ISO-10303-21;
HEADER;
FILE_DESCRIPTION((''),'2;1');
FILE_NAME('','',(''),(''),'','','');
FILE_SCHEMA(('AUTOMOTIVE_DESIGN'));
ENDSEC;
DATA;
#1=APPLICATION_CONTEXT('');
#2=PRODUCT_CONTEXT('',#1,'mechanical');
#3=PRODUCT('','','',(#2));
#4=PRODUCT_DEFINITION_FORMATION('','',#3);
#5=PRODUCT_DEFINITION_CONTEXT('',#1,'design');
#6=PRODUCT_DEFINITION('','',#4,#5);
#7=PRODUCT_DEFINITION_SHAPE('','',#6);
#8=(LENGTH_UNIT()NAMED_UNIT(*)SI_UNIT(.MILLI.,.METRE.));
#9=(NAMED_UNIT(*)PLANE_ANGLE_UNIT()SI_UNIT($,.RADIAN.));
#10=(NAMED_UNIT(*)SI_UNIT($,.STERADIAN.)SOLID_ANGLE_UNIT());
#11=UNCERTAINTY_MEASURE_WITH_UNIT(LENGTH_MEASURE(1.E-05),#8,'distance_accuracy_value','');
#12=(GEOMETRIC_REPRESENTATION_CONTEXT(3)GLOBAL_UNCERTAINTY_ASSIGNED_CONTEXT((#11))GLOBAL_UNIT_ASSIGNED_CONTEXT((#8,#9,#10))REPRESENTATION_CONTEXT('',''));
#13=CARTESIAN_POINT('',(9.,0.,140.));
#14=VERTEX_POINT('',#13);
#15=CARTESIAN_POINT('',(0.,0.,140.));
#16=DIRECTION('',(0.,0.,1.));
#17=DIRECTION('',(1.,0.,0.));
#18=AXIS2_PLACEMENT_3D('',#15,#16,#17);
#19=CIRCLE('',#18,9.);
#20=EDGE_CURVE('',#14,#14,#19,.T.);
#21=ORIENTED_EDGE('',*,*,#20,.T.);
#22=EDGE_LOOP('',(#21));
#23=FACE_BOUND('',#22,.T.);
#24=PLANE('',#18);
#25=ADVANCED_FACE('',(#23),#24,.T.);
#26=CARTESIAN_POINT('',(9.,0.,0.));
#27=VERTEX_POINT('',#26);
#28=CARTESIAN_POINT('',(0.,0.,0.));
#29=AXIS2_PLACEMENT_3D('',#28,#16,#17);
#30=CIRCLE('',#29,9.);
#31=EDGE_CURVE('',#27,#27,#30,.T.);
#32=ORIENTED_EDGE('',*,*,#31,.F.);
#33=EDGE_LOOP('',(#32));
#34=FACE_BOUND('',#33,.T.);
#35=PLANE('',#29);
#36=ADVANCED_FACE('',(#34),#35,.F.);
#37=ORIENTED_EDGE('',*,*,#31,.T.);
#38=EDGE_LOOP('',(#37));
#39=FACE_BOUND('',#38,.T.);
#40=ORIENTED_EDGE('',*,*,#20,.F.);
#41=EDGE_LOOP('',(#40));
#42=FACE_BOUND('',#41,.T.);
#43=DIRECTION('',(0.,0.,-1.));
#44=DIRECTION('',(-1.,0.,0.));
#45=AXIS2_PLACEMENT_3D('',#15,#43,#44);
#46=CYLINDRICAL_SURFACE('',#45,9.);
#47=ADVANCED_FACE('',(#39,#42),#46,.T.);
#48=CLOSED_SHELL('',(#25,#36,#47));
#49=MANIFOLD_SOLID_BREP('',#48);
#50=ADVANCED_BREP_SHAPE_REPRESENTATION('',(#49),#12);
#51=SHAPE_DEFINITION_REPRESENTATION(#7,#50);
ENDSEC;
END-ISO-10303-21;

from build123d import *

# Parameters (mm, degrees)
CROQUIS1_R              = 9
SALIENTE_EXTRUIR1_DEPTH = 140


with BuildPart() as part:
    # Croquis1 → Saliente-Extruir1 (new body)
    with BuildSketch(Plane.XY):
        Circle(CROQUIS1_R)
    extrude(amount=SALIENTE_EXTRUIR1_DEPTH)


solid = part.part
